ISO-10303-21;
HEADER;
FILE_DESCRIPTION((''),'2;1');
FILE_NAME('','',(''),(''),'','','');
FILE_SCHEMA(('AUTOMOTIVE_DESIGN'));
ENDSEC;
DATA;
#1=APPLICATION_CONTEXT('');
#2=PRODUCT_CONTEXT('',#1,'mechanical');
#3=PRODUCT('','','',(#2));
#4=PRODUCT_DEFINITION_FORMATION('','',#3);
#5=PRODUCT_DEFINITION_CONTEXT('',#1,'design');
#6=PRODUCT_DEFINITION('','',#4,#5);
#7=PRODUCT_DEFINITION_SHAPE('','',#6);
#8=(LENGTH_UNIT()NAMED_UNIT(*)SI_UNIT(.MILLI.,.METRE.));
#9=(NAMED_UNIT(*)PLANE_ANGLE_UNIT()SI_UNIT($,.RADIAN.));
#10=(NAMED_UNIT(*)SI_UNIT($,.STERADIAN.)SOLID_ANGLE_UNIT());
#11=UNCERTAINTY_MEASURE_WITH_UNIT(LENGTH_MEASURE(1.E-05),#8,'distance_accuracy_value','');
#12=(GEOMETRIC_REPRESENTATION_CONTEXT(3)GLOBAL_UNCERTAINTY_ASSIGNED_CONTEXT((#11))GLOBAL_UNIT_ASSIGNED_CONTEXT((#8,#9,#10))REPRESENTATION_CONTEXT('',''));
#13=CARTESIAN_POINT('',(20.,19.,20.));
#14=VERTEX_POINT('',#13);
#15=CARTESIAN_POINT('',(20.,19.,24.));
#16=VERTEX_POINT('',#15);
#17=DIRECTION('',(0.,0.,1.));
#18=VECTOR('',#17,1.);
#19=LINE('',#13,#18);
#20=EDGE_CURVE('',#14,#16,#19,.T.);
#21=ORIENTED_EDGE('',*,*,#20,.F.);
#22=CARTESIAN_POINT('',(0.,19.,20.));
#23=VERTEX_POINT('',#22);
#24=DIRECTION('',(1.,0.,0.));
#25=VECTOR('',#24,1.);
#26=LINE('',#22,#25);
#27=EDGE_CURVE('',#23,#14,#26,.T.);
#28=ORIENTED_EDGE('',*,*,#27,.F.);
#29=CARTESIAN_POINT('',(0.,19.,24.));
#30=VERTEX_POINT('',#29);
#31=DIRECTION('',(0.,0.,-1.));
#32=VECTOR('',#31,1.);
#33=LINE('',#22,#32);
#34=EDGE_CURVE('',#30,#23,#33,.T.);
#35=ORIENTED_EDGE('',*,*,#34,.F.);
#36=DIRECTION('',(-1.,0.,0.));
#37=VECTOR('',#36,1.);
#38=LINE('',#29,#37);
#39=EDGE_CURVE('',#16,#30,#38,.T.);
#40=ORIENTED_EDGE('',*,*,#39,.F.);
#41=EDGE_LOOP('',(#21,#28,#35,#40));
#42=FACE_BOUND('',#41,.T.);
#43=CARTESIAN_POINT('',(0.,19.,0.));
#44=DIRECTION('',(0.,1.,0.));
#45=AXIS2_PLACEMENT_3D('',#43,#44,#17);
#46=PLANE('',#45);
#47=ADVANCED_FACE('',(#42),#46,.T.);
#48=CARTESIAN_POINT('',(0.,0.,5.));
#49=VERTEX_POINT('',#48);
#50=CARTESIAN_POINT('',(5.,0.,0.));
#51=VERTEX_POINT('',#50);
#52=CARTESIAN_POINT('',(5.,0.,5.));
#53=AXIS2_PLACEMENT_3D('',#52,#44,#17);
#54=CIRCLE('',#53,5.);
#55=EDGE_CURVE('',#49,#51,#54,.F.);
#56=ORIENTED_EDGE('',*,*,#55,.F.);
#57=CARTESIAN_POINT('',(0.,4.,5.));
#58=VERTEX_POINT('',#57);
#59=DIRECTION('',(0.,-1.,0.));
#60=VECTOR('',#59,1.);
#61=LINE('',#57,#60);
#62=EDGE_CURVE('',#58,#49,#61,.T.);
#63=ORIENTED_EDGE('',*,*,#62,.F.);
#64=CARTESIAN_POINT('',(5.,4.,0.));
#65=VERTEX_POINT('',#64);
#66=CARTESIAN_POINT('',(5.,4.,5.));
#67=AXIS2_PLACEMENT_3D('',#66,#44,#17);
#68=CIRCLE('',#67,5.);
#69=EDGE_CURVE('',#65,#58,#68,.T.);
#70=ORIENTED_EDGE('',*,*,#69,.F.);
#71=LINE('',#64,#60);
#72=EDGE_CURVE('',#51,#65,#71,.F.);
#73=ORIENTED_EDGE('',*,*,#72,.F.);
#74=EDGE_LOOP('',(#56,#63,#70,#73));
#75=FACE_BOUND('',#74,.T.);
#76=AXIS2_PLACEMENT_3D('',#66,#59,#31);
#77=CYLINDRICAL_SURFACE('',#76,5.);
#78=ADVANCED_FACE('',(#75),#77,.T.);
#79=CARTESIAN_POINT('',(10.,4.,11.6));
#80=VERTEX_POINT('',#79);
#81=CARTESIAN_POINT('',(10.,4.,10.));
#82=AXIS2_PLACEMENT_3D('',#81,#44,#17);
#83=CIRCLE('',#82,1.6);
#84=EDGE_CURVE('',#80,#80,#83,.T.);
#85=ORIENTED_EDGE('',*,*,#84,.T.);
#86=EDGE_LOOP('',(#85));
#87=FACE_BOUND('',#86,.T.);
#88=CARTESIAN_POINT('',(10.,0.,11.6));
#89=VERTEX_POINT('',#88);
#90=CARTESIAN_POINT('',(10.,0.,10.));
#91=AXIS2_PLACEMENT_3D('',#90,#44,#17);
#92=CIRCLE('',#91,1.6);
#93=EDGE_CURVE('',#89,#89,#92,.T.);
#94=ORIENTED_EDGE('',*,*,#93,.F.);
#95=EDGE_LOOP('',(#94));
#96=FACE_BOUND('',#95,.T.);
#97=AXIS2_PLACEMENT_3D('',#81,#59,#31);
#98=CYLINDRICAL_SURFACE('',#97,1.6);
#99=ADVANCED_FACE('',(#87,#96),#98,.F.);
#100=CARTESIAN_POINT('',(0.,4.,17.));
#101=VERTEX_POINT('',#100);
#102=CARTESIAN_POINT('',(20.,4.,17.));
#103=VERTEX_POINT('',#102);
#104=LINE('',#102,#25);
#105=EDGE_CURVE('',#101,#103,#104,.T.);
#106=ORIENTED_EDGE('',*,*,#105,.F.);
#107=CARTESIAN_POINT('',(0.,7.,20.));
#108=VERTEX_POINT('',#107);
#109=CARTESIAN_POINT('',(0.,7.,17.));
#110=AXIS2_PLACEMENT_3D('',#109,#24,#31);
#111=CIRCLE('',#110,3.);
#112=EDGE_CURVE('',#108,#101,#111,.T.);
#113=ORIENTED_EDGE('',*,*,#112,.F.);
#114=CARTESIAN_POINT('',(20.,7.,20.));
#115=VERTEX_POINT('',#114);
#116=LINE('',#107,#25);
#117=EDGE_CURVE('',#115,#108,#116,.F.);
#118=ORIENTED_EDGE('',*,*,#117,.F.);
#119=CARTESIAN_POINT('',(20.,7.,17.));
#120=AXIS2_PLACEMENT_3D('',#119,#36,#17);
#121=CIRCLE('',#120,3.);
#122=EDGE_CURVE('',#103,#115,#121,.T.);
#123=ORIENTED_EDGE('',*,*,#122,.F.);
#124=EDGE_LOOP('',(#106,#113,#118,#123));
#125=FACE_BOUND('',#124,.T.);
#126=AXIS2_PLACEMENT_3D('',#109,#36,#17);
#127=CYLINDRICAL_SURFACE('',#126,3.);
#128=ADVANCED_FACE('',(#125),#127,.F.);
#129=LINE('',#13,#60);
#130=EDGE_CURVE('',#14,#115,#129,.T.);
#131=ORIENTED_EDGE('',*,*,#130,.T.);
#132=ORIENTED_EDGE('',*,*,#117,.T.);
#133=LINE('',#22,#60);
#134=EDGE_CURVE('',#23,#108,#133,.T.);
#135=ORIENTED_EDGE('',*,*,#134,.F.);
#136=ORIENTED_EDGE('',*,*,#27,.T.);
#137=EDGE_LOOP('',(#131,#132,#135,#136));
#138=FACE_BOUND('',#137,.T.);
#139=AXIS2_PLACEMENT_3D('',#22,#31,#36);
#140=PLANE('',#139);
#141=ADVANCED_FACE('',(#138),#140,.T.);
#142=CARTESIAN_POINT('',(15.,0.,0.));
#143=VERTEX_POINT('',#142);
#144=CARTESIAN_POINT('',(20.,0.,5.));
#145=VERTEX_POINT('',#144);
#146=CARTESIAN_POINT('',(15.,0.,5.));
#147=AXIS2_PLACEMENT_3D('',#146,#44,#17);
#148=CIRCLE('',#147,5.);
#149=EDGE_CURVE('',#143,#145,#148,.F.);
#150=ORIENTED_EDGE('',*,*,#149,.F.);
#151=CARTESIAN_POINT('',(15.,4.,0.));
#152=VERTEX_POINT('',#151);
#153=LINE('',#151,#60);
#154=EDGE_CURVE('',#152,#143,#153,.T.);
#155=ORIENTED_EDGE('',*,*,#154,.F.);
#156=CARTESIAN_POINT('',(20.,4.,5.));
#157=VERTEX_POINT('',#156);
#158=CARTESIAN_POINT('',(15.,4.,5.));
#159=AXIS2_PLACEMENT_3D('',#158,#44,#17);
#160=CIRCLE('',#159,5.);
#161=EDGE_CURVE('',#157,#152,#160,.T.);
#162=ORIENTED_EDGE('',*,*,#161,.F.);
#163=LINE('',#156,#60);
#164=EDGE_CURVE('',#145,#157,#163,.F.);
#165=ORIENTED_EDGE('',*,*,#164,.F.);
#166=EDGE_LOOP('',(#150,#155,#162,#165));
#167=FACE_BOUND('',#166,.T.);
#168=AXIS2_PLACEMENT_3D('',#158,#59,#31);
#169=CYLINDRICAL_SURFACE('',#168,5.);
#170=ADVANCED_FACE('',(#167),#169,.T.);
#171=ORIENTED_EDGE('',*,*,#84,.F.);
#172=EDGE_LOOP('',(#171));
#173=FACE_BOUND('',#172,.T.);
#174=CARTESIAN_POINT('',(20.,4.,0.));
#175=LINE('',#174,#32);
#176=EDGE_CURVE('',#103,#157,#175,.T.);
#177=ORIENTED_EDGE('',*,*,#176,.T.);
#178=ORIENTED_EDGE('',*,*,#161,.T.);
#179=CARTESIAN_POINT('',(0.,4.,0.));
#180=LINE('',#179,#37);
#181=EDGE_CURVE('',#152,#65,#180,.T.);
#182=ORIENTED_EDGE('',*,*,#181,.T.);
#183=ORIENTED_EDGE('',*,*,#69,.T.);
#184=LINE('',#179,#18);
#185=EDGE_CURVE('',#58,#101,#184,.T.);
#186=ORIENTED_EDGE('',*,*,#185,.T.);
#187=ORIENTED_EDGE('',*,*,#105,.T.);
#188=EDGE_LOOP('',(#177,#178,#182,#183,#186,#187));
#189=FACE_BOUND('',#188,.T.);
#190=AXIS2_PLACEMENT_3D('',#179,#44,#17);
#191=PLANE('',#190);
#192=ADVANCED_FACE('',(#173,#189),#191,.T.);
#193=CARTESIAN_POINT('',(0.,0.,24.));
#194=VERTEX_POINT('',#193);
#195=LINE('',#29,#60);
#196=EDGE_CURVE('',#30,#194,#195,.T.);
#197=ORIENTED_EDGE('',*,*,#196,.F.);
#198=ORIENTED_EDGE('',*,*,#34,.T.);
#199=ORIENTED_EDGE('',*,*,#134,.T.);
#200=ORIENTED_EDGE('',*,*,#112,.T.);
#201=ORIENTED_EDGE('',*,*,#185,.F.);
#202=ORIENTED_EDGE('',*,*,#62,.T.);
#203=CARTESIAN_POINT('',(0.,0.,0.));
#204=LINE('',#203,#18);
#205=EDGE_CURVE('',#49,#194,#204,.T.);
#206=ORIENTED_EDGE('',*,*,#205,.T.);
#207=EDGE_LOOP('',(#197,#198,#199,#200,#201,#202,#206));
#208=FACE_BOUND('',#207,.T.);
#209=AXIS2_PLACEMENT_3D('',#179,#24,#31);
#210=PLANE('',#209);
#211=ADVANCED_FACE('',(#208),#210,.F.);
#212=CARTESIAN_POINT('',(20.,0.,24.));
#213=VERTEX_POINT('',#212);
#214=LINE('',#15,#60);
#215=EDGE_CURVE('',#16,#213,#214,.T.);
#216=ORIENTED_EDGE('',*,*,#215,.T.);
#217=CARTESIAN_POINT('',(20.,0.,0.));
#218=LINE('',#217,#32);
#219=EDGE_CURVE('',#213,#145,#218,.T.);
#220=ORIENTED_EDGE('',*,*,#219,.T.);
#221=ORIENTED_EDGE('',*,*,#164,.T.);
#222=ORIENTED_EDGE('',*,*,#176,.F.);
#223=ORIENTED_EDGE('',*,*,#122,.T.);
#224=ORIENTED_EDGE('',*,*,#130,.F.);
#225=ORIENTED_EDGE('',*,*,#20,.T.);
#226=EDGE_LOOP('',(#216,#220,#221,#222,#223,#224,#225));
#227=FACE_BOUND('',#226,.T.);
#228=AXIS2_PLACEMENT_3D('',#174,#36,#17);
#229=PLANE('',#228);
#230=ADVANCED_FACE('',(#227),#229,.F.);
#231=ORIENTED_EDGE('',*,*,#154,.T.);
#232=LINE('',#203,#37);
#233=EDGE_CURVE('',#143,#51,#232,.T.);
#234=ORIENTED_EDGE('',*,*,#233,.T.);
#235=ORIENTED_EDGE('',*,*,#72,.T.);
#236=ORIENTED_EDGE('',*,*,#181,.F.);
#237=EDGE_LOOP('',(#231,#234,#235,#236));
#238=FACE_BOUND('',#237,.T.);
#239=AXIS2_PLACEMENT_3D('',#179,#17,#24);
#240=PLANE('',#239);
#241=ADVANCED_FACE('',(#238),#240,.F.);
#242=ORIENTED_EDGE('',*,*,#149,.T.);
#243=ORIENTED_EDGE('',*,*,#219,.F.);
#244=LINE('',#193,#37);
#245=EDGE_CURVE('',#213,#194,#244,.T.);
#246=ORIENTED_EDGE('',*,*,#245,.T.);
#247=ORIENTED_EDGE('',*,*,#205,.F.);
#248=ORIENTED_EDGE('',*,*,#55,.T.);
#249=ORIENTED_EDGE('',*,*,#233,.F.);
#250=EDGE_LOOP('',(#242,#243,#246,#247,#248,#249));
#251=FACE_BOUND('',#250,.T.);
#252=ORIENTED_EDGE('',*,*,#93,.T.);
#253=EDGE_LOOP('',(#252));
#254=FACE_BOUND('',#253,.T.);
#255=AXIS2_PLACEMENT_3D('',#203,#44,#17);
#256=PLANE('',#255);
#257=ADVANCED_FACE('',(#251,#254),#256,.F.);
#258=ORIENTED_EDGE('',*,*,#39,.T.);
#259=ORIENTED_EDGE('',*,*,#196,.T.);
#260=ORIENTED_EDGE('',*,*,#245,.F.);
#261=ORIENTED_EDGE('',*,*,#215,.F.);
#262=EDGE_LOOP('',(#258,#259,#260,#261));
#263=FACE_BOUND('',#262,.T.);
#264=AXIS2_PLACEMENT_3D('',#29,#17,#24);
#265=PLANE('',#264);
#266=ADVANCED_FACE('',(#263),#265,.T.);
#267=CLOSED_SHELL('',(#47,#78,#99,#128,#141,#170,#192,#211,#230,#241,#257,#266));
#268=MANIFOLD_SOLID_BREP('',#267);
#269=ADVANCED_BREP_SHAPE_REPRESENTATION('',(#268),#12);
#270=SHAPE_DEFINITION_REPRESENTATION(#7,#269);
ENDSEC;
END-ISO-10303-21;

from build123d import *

# Parameters (mm, degrees)
SKETCH1_W           = 20
SKETCH1_H           = 20
SKETCH1_R           = 1.6
BOSS_EXTRUDE1_DEPTH = 4
SKETCH2_W           = 20
SKETCH2_H           = 4
BOSS_EXTRUDE2_DEPTH = 19
FILLET1_R           = 3
FILLET2_R           = 5


with BuildPart() as part:
    # Sketch1 → Boss-Extrude1 (new body)
    with BuildSketch(Plane(origin=(0, 0, 0), x_dir=(1, 0, 0), z_dir=(0, 1, 0))):
        with Locations((10, -10)):
            Rectangle(SKETCH1_W, SKETCH1_H)
        with Locations(Location((10, -10, 0), (0, 0, 270))):
            Circle(SKETCH1_R, mode=Mode.SUBTRACT)
    extrude(amount=BOSS_EXTRUDE1_DEPTH)

    # Sketch2 → Boss-Extrude2 (add)
    with BuildSketch(Plane(origin=(0, 0, 0), x_dir=(-1, 0, 0), z_dir=(0, -1, 0))):
        with Locations((-10, -22)):
            Rectangle(SKETCH2_W, SKETCH2_H)
    extrude(amount=-BOSS_EXTRUDE2_DEPTH)

    # Fillet1
    fillet1_edges = [part.edges().sort_by_distance(p)[0] for p in [
        (10, 4, 20),
    ]]
    fillet(fillet1_edges, radius=FILLET1_R)

    # Fillet2
    fillet2_edges = [part.edges().sort_by_distance(p)[0] for p in [
        (0, 2, 0),
        (20, 2, 0),
    ]]
    fillet(fillet2_edges, radius=FILLET2_R)


solid = part.part
